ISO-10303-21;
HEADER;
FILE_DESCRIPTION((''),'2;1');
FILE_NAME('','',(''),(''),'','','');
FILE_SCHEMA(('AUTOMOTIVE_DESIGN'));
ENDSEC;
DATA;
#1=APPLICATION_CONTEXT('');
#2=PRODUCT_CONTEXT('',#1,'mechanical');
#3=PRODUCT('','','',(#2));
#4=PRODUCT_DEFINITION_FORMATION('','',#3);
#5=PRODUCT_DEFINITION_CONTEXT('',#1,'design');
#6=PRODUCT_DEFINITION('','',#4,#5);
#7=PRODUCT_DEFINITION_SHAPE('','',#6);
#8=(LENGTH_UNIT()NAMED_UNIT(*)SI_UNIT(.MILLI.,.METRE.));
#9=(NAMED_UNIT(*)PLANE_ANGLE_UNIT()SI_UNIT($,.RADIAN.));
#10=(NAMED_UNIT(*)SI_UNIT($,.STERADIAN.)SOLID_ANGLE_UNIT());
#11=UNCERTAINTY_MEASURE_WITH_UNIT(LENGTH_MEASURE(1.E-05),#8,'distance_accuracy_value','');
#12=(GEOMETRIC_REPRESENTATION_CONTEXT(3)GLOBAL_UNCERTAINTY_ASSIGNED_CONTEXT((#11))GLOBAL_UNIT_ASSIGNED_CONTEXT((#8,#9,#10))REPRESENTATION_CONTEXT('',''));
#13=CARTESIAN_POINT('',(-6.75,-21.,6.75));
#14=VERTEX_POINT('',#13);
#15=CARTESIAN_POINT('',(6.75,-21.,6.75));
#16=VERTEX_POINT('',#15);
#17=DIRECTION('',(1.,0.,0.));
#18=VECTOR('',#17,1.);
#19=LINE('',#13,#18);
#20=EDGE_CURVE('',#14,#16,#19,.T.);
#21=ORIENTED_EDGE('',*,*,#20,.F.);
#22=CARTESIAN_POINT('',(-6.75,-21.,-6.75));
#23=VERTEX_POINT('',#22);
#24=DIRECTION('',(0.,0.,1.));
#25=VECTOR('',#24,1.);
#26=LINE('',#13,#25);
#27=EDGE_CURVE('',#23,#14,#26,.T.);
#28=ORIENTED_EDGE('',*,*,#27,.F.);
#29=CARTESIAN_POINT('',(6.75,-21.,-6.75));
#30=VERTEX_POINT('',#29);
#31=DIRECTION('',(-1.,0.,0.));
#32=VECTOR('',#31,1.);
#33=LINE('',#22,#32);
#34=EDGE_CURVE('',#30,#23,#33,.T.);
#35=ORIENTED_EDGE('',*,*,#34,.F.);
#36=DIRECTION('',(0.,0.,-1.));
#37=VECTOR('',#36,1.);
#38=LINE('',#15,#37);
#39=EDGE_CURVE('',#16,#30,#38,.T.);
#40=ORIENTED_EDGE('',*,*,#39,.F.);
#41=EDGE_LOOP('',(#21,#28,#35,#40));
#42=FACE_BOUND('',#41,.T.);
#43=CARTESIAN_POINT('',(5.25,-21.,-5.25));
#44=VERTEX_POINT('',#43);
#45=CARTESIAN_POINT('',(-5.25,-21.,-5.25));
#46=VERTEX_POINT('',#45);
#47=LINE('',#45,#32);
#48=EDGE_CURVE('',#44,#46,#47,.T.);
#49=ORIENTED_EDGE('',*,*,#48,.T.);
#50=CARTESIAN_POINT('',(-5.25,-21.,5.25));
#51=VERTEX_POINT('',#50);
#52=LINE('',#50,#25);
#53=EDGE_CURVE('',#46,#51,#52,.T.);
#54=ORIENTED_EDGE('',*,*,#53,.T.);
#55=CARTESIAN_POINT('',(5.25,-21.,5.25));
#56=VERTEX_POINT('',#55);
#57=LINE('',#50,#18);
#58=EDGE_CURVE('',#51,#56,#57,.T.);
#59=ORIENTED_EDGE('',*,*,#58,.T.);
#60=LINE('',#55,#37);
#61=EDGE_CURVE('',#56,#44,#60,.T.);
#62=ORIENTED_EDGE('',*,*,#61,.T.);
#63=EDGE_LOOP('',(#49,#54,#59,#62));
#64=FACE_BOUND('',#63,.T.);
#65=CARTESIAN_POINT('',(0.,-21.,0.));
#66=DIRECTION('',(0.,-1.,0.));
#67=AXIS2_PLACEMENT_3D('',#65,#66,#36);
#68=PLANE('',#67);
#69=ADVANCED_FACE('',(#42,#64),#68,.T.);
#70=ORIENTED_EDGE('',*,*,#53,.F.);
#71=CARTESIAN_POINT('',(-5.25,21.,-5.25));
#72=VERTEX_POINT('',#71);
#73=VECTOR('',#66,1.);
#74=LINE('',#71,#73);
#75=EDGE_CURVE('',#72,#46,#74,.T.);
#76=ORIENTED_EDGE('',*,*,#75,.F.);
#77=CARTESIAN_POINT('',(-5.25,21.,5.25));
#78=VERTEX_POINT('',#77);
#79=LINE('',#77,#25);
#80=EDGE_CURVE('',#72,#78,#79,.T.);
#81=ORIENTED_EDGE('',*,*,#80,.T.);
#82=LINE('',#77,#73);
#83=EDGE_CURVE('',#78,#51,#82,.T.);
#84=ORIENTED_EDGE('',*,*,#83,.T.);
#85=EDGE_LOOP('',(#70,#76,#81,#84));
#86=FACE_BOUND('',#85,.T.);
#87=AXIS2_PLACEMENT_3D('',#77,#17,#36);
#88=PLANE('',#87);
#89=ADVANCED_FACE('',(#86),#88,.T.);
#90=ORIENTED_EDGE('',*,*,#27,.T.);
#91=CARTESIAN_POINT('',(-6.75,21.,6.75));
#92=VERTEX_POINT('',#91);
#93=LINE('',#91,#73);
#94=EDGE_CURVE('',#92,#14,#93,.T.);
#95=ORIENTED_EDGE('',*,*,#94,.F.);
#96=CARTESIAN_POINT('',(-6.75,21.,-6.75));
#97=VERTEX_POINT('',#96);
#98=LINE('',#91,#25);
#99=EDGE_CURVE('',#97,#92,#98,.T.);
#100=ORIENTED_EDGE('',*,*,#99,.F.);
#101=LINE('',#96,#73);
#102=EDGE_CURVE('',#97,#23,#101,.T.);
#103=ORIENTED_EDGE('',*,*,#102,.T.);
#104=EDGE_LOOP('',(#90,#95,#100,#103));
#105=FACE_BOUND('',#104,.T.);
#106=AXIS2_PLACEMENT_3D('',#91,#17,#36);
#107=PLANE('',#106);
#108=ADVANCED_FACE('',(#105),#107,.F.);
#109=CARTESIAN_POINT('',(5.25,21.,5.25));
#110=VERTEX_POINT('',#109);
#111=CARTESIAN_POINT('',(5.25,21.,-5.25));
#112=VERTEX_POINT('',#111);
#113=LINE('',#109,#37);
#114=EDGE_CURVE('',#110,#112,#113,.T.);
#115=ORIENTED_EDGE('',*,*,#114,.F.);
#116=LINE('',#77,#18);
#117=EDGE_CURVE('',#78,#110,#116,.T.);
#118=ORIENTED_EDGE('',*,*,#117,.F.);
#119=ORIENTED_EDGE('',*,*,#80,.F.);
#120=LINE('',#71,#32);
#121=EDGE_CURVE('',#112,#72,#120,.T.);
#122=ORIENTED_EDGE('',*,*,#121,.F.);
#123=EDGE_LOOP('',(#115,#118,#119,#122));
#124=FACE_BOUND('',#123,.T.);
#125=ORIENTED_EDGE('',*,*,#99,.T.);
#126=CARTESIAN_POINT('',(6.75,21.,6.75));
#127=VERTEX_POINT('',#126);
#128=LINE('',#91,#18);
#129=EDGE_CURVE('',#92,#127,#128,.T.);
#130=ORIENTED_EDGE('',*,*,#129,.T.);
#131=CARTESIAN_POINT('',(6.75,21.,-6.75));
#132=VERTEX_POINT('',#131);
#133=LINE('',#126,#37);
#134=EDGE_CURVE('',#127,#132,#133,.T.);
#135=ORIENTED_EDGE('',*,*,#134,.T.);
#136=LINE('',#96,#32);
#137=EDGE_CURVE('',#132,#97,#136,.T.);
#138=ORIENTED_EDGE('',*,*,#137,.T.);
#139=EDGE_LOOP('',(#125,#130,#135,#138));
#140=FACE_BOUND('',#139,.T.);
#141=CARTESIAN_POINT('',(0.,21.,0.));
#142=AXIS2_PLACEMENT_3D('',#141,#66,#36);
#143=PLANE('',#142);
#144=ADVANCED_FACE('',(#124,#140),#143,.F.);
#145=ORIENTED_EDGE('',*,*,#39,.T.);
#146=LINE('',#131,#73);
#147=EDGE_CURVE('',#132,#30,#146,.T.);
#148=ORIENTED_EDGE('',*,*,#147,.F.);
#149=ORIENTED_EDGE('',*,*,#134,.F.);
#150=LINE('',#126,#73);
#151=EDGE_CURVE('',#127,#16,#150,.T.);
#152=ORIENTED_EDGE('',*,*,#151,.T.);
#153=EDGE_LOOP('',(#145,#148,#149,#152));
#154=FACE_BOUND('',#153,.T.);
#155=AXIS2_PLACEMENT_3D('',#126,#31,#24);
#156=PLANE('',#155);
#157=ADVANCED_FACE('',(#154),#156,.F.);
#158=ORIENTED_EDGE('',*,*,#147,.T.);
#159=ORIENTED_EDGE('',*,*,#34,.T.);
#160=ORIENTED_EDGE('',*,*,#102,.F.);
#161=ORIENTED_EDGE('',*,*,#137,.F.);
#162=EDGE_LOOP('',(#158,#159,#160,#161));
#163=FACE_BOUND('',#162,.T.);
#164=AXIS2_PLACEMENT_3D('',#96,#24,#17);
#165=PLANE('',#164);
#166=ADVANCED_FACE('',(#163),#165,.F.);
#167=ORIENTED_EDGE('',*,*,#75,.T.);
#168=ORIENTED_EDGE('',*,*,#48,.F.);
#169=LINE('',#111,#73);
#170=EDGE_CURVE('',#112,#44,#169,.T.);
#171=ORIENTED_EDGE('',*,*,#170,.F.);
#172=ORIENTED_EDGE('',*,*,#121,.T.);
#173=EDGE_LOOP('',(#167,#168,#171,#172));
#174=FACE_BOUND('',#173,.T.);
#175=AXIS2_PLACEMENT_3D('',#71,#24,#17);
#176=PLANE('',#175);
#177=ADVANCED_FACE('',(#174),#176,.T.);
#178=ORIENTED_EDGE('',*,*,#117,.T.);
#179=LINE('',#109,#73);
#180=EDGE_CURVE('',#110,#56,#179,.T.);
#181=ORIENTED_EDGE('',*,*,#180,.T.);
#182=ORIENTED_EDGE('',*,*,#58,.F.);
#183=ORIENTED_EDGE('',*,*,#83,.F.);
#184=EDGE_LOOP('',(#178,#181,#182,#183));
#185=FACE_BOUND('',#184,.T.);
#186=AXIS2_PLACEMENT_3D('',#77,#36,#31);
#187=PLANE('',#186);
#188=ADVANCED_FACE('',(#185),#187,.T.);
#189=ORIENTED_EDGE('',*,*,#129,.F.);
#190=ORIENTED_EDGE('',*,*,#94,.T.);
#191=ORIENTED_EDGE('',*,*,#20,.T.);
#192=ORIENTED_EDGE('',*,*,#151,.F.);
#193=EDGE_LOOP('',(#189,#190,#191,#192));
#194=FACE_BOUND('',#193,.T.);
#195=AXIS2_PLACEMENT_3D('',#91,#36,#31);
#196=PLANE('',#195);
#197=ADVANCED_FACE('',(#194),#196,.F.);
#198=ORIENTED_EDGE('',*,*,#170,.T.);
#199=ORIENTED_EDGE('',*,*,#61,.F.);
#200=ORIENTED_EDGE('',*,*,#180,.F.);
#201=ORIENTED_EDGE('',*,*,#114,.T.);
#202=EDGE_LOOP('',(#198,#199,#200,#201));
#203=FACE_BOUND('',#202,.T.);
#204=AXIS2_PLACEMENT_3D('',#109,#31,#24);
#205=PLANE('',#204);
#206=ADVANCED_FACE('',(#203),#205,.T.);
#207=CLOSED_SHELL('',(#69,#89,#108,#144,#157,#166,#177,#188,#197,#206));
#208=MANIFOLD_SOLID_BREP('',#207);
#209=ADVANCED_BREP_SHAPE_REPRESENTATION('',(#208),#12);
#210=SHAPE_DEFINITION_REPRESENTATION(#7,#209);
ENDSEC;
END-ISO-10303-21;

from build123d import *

# Parameters (mm, degrees)
CROQUIS1_W              = 13.5
CROQUIS1_H              = 13.5
CROQUIS1_W_2            = 10.5
CROQUIS1_H_2            = 10.5
SALIENTE_EXTRUIR1_DEPTH = 21


with BuildPart() as part:
    # Croquis1 → Saliente-Extruir1 (new, symmetric)
    with BuildSketch(Plane(origin=(0, 0, 0), x_dir=(1, 0, 0), z_dir=(0, 1, 0))):
        Rectangle(CROQUIS1_W, CROQUIS1_H)
        Rectangle(CROQUIS1_W_2, CROQUIS1_H_2, mode=Mode.SUBTRACT)
    extrude(amount=SALIENTE_EXTRUIR1_DEPTH, both=True)


solid = part.part
